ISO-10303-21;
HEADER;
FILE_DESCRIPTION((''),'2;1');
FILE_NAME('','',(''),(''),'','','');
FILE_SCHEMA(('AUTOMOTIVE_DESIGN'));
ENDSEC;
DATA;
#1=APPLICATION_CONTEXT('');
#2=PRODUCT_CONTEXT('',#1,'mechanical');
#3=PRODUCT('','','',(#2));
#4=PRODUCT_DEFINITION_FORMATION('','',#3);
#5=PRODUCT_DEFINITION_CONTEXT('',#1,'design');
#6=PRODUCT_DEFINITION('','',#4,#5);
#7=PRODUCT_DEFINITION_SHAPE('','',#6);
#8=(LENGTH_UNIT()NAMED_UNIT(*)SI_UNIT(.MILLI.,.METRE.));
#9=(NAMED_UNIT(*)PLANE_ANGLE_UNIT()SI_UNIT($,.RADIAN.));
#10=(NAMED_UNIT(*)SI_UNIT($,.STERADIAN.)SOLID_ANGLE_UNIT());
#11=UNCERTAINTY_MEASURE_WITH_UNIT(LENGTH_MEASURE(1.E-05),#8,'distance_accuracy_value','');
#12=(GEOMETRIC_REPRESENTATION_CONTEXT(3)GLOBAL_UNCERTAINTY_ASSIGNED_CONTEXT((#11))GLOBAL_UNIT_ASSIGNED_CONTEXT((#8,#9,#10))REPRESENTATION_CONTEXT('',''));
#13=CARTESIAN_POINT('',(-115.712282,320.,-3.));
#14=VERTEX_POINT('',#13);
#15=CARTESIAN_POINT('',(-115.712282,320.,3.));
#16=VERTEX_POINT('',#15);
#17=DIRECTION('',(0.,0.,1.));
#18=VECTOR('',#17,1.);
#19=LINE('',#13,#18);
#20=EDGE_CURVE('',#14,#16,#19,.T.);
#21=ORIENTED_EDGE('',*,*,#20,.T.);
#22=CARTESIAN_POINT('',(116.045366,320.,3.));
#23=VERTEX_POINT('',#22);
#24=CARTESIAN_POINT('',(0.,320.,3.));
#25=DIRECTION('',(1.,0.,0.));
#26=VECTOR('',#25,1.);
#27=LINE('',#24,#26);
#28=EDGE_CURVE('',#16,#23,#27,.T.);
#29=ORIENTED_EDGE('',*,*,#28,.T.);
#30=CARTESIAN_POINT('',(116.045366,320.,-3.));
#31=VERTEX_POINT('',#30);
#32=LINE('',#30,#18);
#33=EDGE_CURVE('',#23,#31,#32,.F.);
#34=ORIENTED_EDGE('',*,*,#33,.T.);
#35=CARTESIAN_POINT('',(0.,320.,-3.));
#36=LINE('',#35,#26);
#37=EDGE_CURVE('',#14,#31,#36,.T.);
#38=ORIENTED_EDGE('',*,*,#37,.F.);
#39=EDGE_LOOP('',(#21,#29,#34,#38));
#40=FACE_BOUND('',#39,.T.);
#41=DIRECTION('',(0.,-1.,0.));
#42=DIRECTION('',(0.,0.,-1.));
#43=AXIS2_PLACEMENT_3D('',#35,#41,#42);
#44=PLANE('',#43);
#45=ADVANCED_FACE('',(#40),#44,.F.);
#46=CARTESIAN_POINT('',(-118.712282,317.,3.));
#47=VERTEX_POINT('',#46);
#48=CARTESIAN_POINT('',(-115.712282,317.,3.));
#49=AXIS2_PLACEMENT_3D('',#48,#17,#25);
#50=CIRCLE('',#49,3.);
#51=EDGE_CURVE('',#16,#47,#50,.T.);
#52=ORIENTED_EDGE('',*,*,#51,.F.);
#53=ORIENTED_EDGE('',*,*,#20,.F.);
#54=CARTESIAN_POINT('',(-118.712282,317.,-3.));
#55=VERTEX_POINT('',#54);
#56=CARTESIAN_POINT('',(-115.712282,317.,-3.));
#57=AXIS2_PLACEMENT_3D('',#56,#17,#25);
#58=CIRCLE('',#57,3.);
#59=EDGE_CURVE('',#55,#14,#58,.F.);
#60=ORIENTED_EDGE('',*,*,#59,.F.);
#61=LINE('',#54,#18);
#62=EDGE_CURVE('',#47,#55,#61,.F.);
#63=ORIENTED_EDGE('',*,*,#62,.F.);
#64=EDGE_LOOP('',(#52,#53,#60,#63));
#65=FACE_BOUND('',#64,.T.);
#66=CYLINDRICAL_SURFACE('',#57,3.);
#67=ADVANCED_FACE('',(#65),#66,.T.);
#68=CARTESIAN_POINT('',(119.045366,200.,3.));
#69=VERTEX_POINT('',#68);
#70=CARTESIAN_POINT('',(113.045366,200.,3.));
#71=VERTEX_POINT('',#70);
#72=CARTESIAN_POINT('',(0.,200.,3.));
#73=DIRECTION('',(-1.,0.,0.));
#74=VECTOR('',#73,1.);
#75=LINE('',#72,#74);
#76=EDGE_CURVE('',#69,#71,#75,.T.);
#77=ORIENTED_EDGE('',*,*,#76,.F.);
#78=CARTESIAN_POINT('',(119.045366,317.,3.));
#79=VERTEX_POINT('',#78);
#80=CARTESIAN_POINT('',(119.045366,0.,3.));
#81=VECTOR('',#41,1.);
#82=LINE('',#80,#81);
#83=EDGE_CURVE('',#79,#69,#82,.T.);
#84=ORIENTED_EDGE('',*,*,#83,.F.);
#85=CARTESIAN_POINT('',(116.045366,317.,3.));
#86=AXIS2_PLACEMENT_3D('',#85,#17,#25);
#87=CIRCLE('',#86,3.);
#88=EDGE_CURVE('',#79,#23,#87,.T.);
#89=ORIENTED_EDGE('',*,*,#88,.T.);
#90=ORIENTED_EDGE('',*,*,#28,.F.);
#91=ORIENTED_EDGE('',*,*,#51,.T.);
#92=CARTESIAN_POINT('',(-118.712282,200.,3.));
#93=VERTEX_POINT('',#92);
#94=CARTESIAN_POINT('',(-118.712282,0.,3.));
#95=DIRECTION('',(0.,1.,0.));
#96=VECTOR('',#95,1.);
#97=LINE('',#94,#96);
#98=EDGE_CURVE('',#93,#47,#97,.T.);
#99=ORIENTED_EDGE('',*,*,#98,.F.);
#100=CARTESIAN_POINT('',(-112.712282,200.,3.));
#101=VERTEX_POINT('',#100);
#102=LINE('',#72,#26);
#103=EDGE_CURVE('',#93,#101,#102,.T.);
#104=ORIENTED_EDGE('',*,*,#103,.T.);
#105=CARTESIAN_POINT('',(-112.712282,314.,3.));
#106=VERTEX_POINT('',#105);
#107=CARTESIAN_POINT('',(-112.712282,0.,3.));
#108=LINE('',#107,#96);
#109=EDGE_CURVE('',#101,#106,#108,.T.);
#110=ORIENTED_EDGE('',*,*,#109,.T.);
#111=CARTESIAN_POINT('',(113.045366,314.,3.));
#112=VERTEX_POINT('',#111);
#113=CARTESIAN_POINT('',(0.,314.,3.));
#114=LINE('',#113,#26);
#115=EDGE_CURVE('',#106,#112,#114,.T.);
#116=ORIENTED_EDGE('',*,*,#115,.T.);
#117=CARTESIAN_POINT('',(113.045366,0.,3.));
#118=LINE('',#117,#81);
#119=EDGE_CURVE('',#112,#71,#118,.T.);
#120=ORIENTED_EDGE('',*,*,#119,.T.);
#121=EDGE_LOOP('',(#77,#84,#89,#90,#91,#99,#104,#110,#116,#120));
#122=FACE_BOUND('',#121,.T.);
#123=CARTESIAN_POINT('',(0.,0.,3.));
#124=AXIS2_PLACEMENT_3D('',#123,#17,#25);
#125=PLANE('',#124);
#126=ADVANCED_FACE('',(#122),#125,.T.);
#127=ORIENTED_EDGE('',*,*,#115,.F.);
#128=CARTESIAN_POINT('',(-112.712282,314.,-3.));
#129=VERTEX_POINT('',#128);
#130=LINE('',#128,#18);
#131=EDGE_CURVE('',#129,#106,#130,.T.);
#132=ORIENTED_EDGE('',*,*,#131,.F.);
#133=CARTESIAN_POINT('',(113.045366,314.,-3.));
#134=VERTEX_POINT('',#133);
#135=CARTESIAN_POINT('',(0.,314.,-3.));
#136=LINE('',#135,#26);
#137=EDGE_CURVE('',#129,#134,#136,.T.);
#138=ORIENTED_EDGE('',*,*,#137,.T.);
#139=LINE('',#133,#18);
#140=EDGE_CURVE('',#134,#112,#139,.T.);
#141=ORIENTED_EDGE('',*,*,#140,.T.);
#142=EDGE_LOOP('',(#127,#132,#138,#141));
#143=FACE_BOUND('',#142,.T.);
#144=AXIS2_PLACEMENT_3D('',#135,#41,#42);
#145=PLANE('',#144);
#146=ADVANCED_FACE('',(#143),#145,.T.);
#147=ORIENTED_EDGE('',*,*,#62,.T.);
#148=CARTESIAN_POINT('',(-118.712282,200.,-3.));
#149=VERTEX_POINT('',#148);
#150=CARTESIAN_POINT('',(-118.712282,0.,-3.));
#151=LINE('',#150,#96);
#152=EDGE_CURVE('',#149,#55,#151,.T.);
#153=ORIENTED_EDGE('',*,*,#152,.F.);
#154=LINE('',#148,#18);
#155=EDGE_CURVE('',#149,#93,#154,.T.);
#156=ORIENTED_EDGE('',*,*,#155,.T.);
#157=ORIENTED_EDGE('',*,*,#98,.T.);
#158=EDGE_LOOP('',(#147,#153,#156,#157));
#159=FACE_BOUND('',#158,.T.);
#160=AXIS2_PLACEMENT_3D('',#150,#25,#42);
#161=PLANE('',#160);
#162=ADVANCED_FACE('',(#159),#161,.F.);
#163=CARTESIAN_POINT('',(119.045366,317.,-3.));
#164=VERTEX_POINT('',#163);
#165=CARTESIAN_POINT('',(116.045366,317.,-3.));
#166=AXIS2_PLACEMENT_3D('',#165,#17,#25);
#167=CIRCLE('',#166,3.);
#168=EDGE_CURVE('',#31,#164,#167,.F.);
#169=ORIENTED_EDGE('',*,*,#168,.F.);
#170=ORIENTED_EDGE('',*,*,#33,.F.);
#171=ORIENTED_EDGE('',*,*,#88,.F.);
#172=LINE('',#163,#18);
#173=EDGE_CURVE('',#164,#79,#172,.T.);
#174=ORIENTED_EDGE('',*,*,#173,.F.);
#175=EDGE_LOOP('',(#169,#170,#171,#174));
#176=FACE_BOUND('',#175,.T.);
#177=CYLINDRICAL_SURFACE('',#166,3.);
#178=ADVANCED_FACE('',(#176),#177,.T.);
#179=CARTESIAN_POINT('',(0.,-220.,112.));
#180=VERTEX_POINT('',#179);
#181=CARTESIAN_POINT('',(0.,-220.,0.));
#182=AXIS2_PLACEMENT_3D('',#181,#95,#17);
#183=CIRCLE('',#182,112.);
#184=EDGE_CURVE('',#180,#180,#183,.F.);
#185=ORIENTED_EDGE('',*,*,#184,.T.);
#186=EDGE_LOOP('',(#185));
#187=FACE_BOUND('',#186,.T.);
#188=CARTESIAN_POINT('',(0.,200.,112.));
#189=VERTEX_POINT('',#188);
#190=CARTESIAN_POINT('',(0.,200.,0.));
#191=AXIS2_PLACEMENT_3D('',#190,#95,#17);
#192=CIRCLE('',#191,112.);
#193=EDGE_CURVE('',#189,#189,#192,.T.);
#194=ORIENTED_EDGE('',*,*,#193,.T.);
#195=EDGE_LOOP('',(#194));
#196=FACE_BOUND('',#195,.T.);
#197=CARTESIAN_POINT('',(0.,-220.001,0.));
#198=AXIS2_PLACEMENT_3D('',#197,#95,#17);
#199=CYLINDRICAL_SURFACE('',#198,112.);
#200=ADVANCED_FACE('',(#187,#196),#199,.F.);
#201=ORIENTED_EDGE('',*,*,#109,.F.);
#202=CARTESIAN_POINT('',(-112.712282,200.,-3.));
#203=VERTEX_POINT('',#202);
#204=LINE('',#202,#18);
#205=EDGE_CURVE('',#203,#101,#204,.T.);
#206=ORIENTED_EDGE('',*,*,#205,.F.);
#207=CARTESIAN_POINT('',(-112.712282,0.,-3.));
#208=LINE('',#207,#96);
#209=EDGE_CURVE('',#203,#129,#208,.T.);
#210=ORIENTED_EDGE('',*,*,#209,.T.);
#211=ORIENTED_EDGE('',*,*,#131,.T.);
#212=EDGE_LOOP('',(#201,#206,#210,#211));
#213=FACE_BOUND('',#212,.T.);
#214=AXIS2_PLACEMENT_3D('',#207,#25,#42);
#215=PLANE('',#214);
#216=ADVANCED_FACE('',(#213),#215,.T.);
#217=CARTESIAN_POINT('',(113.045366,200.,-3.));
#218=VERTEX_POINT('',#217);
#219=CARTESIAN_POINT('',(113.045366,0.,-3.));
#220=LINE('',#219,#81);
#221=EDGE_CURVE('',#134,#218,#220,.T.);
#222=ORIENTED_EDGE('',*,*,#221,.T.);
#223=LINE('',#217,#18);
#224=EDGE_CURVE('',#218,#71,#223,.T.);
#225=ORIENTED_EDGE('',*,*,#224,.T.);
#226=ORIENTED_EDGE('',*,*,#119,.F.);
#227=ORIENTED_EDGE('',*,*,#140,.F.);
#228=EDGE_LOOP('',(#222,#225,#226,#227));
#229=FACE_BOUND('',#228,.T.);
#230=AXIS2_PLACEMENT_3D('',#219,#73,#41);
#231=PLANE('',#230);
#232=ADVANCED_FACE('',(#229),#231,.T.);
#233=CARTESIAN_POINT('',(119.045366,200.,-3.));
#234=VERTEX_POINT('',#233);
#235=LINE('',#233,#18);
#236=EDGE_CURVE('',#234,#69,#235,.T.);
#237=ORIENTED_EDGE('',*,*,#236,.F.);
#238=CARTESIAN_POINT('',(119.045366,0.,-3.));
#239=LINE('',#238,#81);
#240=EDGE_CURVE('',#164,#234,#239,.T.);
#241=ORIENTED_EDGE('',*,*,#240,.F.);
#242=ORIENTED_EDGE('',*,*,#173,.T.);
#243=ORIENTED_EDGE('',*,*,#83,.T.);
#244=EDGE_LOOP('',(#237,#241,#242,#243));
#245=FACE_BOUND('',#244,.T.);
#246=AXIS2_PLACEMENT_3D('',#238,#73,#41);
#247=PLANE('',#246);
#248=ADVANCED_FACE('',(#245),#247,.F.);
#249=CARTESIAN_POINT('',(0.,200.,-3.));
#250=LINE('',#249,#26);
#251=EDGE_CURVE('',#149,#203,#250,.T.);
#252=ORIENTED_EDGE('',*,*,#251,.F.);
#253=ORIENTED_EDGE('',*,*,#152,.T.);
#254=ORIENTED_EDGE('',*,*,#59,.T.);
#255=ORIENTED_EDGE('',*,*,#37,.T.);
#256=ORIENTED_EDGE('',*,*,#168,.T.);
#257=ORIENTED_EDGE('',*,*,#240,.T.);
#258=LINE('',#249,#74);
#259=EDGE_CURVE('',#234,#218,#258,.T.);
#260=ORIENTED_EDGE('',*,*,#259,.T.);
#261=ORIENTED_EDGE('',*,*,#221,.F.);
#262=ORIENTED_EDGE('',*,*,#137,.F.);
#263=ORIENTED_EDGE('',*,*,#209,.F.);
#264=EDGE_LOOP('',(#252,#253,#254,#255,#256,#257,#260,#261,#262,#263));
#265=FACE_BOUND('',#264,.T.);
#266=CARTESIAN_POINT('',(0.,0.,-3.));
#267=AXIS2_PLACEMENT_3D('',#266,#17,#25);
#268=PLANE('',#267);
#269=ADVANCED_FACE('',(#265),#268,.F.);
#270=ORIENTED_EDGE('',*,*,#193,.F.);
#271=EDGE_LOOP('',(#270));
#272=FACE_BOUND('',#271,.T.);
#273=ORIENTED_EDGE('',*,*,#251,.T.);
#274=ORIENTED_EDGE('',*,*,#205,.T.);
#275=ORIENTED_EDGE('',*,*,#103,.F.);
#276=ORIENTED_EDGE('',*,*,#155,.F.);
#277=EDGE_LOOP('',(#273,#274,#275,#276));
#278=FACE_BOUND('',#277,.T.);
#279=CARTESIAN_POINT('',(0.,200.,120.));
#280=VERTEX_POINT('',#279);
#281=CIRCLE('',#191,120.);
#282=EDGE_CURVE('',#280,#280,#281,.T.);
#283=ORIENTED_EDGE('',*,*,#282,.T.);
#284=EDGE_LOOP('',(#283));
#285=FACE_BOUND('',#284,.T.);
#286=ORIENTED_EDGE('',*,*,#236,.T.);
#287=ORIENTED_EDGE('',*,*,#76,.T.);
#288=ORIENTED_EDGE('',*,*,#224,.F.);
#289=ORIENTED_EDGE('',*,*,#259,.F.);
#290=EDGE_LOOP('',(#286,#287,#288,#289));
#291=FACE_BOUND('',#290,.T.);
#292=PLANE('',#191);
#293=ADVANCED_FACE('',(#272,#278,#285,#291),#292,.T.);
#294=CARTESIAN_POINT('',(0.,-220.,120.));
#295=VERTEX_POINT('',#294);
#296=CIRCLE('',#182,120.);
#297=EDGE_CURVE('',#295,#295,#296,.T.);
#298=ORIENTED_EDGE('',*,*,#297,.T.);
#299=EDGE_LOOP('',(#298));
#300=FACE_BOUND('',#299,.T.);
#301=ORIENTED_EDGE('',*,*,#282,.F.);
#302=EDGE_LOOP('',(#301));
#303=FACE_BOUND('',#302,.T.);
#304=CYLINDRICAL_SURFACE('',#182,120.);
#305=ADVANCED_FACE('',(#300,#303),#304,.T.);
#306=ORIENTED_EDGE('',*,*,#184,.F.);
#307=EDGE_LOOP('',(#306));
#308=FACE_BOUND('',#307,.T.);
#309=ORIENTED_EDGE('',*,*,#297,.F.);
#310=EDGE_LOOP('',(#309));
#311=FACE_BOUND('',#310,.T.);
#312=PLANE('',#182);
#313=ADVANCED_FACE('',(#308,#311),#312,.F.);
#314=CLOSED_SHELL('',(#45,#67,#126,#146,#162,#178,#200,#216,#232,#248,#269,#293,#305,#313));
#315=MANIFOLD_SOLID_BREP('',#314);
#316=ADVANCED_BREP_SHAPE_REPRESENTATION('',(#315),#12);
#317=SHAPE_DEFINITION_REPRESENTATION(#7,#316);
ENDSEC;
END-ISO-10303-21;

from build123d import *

# Parameters (mm, degrees)
RESSALTO_EXTRUS_O1_DEPTH      = 200
RESSALTO_EXTRUS_O1_DEPTH_BACK = 220
ESBO_O1_R                     = 120
CORTE_EXTRUS_O1_REACH         = 454.99
ESBO_O2_R                     = 112
RESSALTO_EXTRUS_O3_DEPTH      = 3
RESSALTO_EXTRUS_O3_DEPTH_BACK = 3
FILETE2_R                     = 3


with BuildPart() as part:
    # Esboço1 → Ressalto-extrusão1 (new, two sides: drawn at the far end of the back side and taken through both)
    with BuildSketch(Plane(origin=(0, 0, 0), x_dir=(1, 0, 0), z_dir=(0, 1, 0)).offset(-RESSALTO_EXTRUS_O1_DEPTH_BACK)):
        Circle(ESBO_O1_R)
    extrude(amount=RESSALTO_EXTRUS_O1_DEPTH + RESSALTO_EXTRUS_O1_DEPTH_BACK)

    # Esboço2 → Corte-extrusão1 (cut, up to next)
    with BuildSketch(Plane(origin=(0, 200, 0), x_dir=(1, 0, 0), z_dir=(0, 1, 0)), mode=Mode.PRIVATE) as corte_extrus_o1_sk1:
        Circle(ESBO_O2_R)
    corte_extrus_o1_tool1 = extrude(corte_extrus_o1_sk1.sketch, amount=-CORTE_EXTRUS_O1_REACH, mode=Mode.PRIVATE) & part.part
    add(corte_extrus_o1_tool1.solids().sort_by_distance((0, 200, 0))[0], mode=Mode.SUBTRACT)

    # Esboço4 → Ressalto-extrusão3 (add, two sides: drawn at the far end of the back side and taken through both)
    with BuildSketch(Plane.XY.offset(-RESSALTO_EXTRUS_O3_DEPTH_BACK)):
        Polygon((-118.712281772, 320), (-118.712281772, 200), (-112.712281772, 200), (-112.712281772, 314), (113.045365563, 314), (113.045365563, 200), (119.045365563, 200), (119.045365563, 320), align=None)
    extrude(amount=RESSALTO_EXTRUS_O3_DEPTH + RESSALTO_EXTRUS_O3_DEPTH_BACK)

    # Filete2
    filete2_edges = [part.edges().sort_by_distance(p)[0] for p in [
        (-118.712281772, 320, 0),
        (119.045365563, 320, 0),
    ]]
    fillet(filete2_edges, radius=FILETE2_R)


solid = part.part
